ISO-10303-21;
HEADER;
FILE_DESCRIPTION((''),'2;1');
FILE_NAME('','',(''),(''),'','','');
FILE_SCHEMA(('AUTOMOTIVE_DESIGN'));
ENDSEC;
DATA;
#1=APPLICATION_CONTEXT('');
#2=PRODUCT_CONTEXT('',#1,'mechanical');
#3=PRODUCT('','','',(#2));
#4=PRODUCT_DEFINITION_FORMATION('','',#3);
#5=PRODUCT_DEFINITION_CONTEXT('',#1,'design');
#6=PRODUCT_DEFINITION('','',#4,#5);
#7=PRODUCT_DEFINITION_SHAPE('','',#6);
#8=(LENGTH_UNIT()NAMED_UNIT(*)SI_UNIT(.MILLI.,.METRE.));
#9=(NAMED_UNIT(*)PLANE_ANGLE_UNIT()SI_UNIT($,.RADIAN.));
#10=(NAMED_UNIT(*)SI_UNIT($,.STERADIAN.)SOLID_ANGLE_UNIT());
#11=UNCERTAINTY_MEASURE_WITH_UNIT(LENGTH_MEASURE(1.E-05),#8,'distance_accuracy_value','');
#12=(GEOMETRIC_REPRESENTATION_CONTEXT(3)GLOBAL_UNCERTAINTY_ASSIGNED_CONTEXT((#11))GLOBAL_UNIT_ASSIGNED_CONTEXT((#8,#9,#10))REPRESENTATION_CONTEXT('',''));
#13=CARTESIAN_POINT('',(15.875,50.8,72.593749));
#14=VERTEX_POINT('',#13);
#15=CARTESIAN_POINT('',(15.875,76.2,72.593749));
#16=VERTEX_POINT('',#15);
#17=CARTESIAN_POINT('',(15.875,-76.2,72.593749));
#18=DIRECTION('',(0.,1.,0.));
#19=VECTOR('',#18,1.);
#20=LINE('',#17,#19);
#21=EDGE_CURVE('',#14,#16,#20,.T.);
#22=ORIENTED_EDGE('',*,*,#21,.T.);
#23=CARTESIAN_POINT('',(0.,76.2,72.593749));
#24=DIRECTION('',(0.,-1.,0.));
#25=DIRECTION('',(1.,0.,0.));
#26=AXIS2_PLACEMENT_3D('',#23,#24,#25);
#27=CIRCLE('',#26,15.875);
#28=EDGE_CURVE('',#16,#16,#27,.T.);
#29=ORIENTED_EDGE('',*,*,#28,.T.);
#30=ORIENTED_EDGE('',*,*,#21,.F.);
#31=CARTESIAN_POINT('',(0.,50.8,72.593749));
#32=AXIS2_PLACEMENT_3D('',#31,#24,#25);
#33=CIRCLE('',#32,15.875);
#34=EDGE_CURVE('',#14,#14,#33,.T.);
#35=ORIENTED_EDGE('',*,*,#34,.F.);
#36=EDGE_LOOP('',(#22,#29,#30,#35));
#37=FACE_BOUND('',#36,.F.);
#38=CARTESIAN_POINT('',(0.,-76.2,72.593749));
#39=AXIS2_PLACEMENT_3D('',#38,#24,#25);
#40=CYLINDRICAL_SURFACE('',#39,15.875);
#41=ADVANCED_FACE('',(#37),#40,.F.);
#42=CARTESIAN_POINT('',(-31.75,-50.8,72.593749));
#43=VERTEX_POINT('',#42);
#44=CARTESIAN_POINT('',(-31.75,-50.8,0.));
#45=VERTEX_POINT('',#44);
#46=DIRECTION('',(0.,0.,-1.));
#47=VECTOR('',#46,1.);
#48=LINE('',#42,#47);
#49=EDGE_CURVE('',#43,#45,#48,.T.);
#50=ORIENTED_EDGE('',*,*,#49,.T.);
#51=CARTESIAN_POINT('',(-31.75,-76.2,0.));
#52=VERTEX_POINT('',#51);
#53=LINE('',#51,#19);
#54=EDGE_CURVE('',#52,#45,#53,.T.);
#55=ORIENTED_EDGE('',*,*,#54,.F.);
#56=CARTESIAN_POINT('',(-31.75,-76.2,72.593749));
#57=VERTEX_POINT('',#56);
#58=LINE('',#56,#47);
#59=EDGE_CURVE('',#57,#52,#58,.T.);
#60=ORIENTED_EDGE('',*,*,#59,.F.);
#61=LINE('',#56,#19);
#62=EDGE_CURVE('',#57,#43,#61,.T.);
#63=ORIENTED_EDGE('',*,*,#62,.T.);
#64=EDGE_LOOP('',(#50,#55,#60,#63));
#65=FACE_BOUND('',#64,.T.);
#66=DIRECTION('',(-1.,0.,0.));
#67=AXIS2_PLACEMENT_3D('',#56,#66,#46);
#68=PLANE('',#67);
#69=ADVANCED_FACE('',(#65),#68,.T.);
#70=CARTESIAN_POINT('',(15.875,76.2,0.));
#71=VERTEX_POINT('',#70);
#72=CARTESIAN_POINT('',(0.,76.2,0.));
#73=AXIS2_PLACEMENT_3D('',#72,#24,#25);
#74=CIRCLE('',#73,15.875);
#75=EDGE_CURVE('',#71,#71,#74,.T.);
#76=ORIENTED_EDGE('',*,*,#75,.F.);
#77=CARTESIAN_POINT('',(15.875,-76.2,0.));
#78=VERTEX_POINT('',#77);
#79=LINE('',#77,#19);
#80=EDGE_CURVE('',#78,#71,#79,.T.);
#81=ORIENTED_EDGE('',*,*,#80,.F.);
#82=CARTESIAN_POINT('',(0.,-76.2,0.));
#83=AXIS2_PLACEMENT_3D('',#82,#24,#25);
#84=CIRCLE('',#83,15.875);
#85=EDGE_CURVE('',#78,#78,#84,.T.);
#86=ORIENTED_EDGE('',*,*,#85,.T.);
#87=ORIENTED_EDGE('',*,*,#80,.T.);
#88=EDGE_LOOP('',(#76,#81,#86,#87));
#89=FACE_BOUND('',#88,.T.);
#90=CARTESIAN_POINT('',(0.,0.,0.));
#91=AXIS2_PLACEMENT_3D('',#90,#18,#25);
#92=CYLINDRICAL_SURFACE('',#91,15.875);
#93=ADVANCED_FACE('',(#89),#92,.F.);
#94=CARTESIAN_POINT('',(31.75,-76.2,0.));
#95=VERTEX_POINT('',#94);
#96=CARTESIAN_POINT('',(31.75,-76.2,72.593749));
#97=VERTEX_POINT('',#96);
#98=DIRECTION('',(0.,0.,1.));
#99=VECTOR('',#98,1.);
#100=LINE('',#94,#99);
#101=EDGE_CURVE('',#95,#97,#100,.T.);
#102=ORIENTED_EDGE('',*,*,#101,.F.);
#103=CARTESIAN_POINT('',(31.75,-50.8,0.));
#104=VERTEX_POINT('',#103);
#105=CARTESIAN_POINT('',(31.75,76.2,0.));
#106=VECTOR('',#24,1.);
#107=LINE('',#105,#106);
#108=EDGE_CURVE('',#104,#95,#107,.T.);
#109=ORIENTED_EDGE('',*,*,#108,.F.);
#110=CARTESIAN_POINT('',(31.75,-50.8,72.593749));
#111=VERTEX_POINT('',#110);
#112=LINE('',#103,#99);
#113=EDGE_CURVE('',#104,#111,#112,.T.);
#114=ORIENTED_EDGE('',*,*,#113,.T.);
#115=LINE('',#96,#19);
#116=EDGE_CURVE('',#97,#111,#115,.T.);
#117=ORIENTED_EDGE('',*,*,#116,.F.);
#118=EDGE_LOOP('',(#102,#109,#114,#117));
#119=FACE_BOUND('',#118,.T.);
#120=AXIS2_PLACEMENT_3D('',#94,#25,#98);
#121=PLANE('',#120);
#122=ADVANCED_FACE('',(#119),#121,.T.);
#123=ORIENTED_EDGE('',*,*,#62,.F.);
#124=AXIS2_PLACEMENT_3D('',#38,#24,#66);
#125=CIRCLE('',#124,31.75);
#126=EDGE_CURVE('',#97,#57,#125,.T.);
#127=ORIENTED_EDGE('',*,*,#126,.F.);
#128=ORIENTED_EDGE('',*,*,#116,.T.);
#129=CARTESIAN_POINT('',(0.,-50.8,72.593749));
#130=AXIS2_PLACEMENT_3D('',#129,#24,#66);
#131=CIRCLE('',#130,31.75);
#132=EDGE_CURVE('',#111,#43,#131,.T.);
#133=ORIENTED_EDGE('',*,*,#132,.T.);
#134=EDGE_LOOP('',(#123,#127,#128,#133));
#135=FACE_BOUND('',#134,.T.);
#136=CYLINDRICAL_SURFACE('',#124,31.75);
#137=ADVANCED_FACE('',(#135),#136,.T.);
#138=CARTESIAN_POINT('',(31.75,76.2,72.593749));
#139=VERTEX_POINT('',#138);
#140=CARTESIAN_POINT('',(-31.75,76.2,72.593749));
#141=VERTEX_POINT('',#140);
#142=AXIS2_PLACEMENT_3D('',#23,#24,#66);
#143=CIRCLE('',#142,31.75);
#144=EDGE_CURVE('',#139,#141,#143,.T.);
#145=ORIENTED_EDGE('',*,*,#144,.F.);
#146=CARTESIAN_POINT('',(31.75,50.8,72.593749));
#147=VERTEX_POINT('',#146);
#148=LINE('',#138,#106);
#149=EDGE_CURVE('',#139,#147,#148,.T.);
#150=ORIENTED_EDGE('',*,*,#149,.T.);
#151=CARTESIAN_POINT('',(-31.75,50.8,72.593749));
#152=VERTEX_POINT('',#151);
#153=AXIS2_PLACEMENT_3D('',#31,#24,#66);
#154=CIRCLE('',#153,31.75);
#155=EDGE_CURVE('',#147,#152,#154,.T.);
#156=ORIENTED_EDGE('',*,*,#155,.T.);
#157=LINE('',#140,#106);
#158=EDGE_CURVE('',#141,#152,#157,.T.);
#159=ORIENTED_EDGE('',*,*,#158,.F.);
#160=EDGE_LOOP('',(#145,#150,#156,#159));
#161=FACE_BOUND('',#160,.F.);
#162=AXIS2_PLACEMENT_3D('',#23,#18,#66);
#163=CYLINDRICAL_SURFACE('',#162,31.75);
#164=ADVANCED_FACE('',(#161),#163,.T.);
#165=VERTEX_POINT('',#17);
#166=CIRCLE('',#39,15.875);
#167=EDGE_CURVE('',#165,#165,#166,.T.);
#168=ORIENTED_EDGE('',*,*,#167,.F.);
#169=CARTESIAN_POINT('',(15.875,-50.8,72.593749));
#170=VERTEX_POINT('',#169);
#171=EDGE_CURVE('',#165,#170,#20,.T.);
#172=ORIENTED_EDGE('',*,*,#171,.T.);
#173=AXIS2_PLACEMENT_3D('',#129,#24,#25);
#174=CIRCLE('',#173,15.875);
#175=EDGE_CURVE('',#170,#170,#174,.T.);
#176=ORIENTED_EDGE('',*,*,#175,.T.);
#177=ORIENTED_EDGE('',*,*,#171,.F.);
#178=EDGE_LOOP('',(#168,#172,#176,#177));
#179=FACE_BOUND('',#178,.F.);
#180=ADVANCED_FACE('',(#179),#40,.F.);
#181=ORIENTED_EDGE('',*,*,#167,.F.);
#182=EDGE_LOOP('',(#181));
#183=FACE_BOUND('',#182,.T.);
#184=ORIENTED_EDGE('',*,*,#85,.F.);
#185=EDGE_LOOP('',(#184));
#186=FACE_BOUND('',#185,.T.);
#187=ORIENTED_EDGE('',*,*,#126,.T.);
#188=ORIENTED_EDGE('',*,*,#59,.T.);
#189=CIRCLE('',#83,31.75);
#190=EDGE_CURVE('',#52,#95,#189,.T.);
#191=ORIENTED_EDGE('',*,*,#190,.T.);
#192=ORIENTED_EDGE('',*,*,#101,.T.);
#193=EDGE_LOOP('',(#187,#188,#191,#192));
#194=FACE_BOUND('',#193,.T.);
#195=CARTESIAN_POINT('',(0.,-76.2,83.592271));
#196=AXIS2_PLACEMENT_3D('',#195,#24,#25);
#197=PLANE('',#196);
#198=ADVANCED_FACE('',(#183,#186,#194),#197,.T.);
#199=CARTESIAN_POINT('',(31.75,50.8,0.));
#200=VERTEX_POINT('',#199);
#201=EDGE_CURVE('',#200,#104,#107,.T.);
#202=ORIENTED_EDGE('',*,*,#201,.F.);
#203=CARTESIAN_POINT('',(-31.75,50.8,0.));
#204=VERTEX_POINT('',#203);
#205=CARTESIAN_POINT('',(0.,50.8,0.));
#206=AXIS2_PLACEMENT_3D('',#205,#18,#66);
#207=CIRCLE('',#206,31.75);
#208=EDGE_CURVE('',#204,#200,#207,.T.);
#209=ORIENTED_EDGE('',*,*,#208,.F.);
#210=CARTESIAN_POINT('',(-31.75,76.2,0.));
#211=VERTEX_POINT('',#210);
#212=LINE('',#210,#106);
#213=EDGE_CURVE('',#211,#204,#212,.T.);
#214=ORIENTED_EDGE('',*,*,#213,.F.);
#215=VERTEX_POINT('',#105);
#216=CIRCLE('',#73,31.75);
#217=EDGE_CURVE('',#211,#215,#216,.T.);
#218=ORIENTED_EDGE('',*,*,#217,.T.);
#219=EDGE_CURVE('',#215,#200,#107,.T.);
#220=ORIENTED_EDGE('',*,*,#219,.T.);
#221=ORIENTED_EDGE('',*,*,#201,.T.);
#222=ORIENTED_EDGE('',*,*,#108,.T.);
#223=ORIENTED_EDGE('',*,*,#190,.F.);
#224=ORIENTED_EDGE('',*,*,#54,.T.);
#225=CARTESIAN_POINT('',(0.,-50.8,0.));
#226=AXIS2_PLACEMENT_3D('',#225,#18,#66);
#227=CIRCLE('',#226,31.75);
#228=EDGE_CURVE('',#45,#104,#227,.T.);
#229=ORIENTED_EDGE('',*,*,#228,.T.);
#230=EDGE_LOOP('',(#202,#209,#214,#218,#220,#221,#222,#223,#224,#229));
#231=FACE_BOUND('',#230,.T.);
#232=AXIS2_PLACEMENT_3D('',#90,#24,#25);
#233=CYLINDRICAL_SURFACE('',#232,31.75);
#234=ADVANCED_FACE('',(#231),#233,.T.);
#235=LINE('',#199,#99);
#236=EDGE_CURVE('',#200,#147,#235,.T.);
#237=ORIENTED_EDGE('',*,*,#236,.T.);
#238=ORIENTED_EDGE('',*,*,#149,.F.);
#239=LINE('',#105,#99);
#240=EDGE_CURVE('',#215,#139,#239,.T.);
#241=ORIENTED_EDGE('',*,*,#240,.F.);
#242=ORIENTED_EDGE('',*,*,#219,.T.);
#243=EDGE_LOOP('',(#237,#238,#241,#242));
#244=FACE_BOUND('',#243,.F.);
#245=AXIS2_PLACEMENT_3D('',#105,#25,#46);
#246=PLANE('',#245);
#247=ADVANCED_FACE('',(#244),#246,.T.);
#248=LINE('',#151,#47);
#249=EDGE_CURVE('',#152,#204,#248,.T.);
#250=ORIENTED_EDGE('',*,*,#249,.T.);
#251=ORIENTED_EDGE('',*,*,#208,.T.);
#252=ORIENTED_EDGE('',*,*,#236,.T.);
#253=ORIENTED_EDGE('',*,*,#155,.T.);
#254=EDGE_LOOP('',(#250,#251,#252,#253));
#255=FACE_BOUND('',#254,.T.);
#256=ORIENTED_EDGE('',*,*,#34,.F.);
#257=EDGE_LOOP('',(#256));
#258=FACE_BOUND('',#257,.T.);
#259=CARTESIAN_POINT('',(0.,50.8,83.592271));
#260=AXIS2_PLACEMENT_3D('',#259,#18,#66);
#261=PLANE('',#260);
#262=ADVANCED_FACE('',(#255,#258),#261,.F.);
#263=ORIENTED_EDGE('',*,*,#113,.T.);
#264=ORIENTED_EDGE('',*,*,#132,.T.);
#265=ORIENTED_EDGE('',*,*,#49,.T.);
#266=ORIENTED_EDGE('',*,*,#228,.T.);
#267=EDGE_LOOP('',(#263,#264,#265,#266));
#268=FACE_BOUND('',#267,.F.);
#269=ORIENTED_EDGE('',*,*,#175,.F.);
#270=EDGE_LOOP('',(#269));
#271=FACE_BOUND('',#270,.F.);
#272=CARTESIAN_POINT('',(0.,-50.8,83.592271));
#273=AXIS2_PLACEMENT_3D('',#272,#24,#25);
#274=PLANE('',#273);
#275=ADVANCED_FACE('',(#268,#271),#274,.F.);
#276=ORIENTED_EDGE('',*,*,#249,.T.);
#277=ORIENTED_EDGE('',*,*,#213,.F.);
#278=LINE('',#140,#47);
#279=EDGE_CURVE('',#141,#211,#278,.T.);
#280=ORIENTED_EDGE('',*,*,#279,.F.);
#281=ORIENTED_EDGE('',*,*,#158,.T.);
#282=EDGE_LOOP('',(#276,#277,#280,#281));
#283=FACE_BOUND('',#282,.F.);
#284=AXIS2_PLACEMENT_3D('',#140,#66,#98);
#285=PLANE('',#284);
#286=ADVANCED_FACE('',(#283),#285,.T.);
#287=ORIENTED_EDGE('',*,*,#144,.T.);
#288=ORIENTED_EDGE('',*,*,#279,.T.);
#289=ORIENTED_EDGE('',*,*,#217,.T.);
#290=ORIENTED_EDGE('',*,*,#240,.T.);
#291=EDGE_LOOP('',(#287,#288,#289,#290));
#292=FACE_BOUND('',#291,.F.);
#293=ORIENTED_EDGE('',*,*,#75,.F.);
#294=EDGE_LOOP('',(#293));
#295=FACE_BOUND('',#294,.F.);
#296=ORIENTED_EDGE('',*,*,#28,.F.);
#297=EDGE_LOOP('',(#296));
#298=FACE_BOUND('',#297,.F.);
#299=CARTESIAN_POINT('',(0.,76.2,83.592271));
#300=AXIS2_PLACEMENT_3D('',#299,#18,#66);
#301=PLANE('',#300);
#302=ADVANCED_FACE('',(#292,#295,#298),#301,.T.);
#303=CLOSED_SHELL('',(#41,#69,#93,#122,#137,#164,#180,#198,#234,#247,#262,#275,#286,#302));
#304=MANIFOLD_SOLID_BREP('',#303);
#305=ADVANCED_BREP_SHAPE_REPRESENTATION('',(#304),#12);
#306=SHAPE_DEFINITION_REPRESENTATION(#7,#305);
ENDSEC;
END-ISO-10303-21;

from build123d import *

# Parameters (mm, degrees)
F0_R     = 31.75
F0_R_2   = 15.875
F1_DEPTH = 76.2
F3_DEPTH = 25.4
F5_R     = 15.875
F6_DEPTH = 152.401


with BuildPart() as f1:
    # F0 (on Front) → F1 (new body, symmetric)
    with BuildSketch(Plane.XZ):
        Circle(F0_R)
        Circle(F0_R_2, mode=Mode.SUBTRACT)
    extrude(amount=F1_DEPTH, both=True)

    # F2 (on face) → F3 (join)
    with BuildSketch(Plane.XZ.offset(76.2)):
        with BuildLine():
            ThreePointArc((31.75, 72.5937485695), (0, 104.3437485695), (-31.75, 72.5937485695))
            Line((-31.75, 72.5937485695), (31.75, 72.5937485695))
        make_face()
        with BuildLine():
            Line((31.75, 72.5937485695), (-31.75, 72.5937485695))
            ThreePointArc((-31.75, 72.5937485695), (0, 40.8437485695), (31.75, 72.5937485695))
        make_face()
        with BuildLine():
            Line((-31.75, 72.5937485695), (-31.75, 0))
            ThreePointArc((-31.75, 0), (0, 31.75), (31.75, 0))
            Line((31.75, 0), (31.75, 72.5937485695))
            ThreePointArc((31.75, 72.5937485695), (0, 40.8437485695), (-31.75, 72.5937485695))
        make_face()
    extrude(amount=-F3_DEPTH)

    # F4: F1 across plane


with BuildPart() as f1_1:
    add(f1.part)
    add(f1.part.mirror(Plane.XZ))

    # F5 (on face) → F6 (cut, through all)
    with BuildSketch(Plane.XZ.offset(76.2)):
        with Locations((0, 72.5937485695)):
            Circle(F5_R)
    extrude(amount=-F6_DEPTH, mode=Mode.SUBTRACT)


solid = f1_1.part
